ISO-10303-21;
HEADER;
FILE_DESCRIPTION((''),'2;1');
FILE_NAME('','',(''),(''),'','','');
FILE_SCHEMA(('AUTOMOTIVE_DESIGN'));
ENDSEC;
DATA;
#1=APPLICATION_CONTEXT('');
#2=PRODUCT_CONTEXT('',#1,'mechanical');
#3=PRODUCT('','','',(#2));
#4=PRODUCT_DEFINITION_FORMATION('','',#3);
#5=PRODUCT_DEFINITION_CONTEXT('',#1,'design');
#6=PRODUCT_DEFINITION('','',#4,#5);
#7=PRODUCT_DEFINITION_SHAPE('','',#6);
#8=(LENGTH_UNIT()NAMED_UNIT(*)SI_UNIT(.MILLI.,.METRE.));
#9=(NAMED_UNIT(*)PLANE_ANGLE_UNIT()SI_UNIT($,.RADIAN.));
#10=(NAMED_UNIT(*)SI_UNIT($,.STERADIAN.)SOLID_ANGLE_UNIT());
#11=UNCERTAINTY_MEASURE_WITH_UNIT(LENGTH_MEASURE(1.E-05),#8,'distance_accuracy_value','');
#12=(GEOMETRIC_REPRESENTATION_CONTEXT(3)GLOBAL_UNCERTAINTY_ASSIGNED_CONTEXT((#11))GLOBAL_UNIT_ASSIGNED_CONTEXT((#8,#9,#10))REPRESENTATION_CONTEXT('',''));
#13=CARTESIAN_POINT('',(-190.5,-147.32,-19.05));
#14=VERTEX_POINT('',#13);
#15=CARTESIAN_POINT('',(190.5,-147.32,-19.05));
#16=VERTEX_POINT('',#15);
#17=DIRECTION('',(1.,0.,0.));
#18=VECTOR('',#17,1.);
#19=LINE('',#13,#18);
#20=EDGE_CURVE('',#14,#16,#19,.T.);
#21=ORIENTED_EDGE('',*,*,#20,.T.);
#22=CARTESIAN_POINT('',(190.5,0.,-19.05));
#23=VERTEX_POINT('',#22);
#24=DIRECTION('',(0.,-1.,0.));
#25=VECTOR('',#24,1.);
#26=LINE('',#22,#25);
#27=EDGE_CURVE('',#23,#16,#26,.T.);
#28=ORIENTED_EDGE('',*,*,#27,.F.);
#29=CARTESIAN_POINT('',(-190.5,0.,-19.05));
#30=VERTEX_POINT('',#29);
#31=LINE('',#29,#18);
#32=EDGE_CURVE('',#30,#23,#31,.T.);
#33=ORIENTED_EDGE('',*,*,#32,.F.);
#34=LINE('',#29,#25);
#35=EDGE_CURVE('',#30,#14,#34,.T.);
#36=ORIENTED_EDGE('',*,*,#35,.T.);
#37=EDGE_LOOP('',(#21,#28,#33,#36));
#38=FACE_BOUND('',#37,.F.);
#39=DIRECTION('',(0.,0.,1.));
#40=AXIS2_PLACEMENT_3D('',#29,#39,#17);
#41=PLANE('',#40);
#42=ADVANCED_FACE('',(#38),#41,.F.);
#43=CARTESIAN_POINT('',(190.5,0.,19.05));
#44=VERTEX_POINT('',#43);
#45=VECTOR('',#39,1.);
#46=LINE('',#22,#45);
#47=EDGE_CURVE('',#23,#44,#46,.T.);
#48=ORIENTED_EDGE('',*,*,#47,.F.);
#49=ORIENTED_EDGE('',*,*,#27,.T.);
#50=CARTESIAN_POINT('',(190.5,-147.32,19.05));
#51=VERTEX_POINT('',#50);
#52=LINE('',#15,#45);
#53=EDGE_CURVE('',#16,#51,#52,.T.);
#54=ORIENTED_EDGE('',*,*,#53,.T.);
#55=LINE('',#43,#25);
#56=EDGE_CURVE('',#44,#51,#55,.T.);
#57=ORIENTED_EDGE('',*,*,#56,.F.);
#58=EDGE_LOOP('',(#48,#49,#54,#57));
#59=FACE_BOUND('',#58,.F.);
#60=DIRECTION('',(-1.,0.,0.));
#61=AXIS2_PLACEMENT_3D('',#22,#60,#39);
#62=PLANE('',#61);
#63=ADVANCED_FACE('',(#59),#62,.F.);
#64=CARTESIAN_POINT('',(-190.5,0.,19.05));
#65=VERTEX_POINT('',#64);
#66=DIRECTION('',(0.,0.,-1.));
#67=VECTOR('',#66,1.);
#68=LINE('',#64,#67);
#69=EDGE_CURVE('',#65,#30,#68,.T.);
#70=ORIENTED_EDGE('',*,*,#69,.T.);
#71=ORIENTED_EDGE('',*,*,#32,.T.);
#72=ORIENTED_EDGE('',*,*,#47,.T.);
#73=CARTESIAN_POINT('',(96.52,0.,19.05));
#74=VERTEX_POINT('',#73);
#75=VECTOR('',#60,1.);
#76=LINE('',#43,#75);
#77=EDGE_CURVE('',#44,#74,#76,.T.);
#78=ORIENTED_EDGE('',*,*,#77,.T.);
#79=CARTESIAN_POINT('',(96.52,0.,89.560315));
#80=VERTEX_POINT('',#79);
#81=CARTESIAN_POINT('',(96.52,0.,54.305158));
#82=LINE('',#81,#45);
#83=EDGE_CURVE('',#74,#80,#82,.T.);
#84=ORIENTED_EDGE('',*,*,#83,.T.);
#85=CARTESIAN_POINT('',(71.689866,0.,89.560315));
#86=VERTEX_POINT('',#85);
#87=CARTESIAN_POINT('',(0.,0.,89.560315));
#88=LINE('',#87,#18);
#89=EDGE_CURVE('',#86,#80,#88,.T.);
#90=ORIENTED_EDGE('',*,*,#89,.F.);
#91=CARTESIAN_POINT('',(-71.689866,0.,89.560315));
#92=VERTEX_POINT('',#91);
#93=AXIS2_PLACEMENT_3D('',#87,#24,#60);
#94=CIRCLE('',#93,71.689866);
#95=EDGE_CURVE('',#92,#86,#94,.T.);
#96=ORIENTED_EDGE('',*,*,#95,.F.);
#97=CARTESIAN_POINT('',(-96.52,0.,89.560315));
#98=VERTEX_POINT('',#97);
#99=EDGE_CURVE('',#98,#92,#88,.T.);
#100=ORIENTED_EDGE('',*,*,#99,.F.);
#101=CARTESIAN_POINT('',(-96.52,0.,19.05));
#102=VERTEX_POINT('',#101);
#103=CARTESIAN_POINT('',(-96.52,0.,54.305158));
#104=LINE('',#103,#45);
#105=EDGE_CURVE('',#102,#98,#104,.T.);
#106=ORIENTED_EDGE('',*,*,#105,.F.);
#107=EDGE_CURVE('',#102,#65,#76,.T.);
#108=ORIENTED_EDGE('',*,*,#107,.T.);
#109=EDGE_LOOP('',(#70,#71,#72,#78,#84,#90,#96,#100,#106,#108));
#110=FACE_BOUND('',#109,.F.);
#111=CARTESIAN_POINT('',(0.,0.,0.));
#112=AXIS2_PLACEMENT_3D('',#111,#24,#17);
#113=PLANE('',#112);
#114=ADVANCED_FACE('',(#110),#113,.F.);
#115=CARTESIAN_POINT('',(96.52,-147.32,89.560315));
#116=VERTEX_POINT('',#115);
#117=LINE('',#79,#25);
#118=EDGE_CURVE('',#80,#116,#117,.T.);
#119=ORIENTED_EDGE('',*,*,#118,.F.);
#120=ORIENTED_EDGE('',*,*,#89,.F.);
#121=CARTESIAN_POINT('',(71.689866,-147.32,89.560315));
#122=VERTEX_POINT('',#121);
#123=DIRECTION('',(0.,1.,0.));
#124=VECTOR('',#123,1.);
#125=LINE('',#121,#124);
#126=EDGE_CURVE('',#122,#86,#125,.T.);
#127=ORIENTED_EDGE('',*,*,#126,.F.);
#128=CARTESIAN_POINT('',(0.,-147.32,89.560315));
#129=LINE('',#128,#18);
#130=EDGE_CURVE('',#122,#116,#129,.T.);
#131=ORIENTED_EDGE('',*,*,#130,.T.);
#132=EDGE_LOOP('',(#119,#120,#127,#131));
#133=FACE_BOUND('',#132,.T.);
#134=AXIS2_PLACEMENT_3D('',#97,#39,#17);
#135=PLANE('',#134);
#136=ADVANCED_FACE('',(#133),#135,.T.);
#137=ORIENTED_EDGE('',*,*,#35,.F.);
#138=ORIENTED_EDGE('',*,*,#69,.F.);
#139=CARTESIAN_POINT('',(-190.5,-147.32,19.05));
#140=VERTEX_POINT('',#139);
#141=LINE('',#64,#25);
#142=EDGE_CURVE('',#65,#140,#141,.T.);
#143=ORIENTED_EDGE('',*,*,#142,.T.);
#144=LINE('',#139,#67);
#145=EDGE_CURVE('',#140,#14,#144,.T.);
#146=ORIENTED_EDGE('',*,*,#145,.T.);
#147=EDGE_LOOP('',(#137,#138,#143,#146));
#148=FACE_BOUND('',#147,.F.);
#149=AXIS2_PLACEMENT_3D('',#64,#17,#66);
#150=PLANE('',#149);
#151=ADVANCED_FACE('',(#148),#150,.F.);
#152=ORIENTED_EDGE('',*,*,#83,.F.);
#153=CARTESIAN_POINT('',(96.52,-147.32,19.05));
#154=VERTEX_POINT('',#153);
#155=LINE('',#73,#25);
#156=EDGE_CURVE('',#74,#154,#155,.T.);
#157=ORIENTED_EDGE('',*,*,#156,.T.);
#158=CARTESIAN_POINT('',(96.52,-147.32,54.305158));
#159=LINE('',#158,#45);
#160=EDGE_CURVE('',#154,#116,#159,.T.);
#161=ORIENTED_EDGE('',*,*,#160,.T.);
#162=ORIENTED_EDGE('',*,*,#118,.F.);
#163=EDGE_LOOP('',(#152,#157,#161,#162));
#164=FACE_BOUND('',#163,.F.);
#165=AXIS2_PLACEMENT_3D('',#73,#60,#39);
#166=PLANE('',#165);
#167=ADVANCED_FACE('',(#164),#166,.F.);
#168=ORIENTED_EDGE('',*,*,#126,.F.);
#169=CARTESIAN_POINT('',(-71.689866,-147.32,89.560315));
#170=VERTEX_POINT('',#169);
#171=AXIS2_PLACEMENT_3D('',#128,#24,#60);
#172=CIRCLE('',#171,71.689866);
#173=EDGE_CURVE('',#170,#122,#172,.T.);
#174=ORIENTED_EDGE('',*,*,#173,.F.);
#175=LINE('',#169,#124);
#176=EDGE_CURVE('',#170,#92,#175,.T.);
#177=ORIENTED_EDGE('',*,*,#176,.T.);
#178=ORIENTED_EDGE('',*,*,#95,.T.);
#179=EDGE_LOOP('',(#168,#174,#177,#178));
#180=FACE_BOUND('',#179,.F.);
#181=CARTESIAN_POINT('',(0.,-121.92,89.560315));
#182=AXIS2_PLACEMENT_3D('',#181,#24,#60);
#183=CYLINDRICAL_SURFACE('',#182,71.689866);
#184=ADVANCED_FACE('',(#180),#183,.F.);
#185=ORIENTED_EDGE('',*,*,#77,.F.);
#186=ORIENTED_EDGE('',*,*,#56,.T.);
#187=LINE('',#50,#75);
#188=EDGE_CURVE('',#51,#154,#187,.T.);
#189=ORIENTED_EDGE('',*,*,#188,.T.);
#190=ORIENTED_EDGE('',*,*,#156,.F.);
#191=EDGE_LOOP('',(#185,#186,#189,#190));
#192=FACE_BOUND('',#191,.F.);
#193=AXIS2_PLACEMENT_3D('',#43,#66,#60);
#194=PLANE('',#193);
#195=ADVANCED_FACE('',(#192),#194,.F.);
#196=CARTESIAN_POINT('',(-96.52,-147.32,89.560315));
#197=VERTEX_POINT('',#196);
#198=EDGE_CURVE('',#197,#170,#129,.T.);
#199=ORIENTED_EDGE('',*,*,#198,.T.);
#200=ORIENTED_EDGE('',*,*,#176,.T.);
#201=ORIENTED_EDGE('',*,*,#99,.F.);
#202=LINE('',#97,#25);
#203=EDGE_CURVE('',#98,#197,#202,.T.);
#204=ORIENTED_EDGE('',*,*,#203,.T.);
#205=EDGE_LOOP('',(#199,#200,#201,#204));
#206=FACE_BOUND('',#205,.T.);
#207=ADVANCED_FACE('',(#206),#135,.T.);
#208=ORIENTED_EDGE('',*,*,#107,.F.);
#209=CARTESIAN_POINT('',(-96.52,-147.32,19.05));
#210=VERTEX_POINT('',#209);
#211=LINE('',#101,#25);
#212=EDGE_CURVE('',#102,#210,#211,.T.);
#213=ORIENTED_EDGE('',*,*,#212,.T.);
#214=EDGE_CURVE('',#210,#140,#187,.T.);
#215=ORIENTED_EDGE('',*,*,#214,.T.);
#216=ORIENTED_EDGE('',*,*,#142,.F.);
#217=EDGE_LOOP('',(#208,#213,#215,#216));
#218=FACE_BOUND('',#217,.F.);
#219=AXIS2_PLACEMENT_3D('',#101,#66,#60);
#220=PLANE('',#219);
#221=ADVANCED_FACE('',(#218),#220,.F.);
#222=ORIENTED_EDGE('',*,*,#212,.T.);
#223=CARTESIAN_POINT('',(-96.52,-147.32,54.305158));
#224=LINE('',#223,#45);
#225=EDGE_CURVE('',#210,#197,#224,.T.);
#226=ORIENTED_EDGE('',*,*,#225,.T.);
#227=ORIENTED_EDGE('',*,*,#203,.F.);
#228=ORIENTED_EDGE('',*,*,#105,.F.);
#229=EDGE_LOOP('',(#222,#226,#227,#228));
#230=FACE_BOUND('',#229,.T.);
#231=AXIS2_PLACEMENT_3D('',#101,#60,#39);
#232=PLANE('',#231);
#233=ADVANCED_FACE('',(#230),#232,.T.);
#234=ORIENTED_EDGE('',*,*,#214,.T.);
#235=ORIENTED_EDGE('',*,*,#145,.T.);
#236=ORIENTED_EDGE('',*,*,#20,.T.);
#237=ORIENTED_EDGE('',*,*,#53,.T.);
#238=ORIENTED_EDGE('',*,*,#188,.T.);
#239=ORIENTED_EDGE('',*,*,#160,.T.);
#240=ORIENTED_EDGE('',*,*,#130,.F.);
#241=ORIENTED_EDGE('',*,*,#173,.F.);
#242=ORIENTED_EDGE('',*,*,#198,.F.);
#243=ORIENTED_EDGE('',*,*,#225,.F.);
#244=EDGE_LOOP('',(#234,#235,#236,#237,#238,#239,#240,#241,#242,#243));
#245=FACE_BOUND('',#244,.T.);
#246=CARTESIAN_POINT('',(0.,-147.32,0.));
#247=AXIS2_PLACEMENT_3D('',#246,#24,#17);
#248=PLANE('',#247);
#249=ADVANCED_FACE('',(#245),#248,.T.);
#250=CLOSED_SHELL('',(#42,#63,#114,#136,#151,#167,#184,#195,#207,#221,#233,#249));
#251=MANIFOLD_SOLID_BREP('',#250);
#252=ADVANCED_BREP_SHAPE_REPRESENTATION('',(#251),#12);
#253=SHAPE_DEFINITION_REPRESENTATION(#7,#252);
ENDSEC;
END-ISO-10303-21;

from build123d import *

# Parameters (mm, degrees)
F0_W     = 193.04
F0_H     = 70.5103150129
F1_DEPTH = 147.32
F3_DEPTH = 25.4
F4_DEPTH = 147.32


with BuildPart() as f1:
    # F0 (on Front) → F1 (new body)
    with BuildSketch(Plane.XZ):
        Polygon((-190.5, -19.05), (190.5, -19.05), (190.5, 19.05), (96.52, 19.05), (-96.52, 19.05), (-190.5, 19.05), align=None)
        with Locations((0, 54.3051575065)):
            Rectangle(F0_W, F0_H)
    extrude(amount=F1_DEPTH)

    # F2 (on face) → F3 (cut)
    with BuildSketch(Plane.XZ.offset(147.32)):
        with BuildLine():
            ThreePointArc((-71.6898662242, 89.5603150129), (0, 17.8704487887), (71.6898662242, 89.5603150129))
            Line((71.6898662242, 89.5603150129), (-71.6898662242, 89.5603150129))
        make_face()
    extrude(amount=-F3_DEPTH, mode=Mode.SUBTRACT)

    # F4 (cut): a face of the model
    f4_faces = [f1.faces().sort_by_distance(p)[0] for p in [
        (0, -121.92, 59.1341908018),
    ]]
    extrude(f4_faces, amount=-F4_DEPTH, mode=Mode.SUBTRACT)


solid = f1.part
